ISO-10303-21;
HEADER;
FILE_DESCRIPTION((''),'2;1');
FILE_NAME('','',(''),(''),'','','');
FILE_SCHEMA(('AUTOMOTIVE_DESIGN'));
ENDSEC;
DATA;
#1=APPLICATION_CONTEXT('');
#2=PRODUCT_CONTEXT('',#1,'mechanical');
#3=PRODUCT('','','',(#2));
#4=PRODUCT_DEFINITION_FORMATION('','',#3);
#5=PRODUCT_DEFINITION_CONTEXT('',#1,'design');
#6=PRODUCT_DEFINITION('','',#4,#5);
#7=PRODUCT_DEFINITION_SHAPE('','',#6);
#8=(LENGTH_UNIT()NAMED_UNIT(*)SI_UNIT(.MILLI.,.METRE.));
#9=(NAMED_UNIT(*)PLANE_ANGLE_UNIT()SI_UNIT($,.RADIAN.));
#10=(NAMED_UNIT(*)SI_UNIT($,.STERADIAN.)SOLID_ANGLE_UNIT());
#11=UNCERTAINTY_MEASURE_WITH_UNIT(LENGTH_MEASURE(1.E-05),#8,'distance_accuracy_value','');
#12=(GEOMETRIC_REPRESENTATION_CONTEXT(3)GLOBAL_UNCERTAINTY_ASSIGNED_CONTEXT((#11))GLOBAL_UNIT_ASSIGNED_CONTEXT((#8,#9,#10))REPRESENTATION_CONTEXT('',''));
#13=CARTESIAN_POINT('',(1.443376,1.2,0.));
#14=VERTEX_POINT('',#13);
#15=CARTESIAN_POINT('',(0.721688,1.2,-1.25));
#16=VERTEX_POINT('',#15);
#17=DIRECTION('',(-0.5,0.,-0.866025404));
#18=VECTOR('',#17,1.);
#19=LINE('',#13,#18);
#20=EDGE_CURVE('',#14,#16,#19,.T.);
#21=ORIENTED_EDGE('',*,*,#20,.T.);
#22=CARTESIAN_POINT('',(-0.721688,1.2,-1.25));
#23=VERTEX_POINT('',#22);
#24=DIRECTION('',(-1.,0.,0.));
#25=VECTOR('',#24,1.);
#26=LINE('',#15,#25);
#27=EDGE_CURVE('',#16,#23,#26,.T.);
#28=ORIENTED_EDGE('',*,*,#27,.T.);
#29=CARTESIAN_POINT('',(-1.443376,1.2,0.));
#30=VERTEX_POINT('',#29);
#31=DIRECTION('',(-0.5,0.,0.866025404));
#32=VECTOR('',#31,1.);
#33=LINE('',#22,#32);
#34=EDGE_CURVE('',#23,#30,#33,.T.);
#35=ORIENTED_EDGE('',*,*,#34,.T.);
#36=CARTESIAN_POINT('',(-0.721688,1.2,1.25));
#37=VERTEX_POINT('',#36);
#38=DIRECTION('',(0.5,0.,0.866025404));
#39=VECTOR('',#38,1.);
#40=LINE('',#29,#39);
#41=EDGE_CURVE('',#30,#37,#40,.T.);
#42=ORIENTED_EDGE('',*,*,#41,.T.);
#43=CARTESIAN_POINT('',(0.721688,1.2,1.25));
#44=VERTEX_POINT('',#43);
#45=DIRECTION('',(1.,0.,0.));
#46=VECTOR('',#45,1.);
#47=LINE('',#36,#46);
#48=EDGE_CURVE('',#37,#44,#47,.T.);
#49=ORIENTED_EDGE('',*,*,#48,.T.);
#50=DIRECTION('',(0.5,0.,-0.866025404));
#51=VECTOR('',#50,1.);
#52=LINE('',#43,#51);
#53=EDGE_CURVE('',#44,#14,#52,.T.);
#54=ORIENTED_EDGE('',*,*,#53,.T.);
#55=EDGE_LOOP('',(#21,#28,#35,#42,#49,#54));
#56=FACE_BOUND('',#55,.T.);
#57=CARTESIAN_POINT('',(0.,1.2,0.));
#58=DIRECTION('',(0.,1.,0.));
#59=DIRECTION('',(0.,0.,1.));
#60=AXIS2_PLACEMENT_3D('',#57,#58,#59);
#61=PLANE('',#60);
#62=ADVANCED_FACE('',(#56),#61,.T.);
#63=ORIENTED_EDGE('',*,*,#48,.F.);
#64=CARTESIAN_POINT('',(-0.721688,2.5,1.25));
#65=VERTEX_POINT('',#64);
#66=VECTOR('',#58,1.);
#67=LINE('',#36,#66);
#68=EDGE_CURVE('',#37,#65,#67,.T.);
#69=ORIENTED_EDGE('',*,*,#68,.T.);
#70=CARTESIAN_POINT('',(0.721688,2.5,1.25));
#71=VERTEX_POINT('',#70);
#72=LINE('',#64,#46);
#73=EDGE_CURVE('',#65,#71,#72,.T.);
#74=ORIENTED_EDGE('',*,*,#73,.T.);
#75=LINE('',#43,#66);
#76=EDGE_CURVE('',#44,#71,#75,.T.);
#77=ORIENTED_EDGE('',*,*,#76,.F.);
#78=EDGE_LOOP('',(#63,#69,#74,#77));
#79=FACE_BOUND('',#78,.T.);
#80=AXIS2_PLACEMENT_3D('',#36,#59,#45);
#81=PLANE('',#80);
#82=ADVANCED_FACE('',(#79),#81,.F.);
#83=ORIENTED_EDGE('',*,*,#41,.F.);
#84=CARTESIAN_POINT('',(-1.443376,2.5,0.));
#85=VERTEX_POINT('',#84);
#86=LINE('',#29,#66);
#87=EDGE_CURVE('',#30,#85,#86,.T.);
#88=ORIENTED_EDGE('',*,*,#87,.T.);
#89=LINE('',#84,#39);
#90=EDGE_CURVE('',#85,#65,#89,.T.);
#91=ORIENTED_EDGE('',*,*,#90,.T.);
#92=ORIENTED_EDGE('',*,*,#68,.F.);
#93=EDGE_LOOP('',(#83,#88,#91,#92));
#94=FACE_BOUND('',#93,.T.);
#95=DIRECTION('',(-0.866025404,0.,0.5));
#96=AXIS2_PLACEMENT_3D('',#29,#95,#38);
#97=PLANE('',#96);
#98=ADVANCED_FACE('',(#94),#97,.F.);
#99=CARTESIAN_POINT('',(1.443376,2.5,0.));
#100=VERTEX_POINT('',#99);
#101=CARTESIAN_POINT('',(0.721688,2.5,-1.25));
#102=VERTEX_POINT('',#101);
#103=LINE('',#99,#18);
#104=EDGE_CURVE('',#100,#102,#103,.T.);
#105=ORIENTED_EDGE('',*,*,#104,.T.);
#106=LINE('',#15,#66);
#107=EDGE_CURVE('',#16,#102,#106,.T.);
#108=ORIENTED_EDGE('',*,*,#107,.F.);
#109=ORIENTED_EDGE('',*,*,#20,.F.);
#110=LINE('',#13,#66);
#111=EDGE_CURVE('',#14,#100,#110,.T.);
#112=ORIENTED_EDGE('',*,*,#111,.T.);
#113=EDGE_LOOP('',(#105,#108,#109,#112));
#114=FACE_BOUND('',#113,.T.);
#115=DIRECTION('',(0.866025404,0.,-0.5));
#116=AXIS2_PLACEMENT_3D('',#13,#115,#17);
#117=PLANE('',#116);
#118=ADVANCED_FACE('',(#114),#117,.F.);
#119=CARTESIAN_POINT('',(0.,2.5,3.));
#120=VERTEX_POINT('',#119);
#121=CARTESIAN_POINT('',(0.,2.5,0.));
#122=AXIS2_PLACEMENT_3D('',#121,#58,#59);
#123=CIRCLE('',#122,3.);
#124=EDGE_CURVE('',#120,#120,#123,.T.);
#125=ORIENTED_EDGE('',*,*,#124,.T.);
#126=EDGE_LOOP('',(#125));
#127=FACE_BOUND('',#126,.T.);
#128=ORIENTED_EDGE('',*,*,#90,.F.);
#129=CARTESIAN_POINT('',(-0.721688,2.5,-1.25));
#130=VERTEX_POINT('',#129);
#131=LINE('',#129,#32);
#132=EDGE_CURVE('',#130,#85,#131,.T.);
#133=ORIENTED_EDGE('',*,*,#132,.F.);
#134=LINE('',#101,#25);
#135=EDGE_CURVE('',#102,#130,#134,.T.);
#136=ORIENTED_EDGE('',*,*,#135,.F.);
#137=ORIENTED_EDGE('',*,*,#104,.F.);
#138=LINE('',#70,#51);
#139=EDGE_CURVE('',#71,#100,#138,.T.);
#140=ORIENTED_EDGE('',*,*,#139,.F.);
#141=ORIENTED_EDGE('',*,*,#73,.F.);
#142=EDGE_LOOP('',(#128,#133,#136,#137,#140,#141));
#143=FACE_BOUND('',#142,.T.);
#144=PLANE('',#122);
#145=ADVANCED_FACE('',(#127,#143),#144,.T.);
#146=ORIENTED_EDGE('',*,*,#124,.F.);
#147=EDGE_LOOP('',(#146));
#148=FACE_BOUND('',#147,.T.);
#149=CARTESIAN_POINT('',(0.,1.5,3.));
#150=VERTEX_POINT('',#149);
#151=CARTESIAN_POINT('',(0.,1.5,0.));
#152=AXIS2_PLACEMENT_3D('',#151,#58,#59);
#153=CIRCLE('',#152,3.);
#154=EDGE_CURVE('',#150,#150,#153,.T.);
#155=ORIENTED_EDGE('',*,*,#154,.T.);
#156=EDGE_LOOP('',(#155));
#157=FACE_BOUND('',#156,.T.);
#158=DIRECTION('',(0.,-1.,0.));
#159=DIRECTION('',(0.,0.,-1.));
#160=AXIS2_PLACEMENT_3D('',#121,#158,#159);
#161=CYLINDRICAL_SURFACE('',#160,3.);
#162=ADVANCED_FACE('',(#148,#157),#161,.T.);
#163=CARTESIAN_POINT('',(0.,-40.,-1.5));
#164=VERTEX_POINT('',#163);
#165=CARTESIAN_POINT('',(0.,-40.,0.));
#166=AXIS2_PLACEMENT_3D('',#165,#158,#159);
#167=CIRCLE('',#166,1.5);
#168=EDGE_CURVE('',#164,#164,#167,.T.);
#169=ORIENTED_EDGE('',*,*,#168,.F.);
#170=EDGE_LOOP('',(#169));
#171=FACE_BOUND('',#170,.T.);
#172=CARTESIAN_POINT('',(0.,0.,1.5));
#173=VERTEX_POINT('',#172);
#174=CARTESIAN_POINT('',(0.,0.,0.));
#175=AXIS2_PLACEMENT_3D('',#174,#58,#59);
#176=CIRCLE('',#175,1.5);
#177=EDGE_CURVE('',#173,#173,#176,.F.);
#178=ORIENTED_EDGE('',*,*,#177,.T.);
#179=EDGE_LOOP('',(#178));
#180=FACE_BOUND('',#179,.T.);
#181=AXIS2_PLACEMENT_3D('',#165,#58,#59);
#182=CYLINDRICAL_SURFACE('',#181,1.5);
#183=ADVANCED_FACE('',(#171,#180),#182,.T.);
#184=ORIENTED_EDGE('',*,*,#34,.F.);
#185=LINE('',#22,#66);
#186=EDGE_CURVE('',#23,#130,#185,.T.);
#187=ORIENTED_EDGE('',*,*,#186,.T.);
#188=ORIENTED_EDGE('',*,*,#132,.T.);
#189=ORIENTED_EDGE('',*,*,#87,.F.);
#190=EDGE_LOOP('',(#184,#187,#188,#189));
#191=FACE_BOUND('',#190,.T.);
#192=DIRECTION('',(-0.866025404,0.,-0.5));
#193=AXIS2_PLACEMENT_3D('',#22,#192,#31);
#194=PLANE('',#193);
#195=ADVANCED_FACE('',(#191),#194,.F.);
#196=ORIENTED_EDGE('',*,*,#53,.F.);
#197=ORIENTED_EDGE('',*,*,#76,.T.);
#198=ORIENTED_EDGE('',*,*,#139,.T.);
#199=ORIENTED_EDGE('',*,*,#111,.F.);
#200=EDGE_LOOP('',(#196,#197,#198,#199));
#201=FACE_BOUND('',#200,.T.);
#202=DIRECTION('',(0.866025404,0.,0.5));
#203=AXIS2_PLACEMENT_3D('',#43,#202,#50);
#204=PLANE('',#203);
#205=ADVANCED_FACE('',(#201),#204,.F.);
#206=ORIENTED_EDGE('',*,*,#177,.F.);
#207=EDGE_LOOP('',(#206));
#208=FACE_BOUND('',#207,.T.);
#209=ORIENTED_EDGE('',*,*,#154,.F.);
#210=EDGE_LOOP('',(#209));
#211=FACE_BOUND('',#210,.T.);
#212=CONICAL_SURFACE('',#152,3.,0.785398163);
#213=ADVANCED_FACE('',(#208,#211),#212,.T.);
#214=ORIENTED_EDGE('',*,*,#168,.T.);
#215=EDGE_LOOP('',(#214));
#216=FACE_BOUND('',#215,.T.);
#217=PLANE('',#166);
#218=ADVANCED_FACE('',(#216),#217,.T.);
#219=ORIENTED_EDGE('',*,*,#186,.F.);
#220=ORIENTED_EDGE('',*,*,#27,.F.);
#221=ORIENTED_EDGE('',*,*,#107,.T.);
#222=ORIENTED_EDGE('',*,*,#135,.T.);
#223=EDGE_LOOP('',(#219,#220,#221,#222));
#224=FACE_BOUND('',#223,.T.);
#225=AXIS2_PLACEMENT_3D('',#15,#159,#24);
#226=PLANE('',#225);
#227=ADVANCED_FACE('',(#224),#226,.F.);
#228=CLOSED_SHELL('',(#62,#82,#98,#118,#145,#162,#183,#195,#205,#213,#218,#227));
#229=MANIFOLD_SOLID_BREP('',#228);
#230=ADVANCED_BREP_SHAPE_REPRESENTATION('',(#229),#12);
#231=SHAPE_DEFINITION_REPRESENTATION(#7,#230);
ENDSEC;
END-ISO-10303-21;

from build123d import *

# Parameters (mm, degrees)
SKETCH_1_R            = 3
EXTRUDE_251_DEPTH     = 2.5
CHAMFER_1_SIZE        = 1.5
CUT_EXTRUDE_459_DEPTH = 1.3
SKETCH_3_R            = 1.5
EXTRUDE_571_DEPTH     = 40


with BuildPart() as part:
    # 草图1 → Extrude 251 (new body)
    with BuildSketch(Plane(origin=(0, 0, 0), x_dir=(1, 0, 0), z_dir=(0, 1, 0))):
        Circle(SKETCH_1_R)
    extrude(amount=EXTRUDE_251_DEPTH)

    # 倒角1
    chamfer_1_edges = [part.edges().sort_by_distance(p)[0] for p in [
        (-3, 0, 0),
    ]]
    chamfer(chamfer_1_edges, length=CHAMFER_1_SIZE)

    # 草图2 → Cut-Extrude 459 (cut)
    with BuildSketch(Plane(origin=(0, 2.5, 0), x_dir=(1, 0, 0), z_dir=(0, 1, 0))):
        Polygon((1.443375673, 0), (0.721687836, 1.25), (-0.721687836, 1.25), (-1.443375673, 0), (-0.721687836, -1.25), (0.721687836, -1.25), align=None)
    extrude(amount=-CUT_EXTRUDE_459_DEPTH, mode=Mode.SUBTRACT)

    # 草图3 → Extrude 571 (add)
    with BuildSketch(Plane.XZ):
        Circle(SKETCH_3_R)
    extrude(amount=EXTRUDE_571_DEPTH)


solid = part.part
